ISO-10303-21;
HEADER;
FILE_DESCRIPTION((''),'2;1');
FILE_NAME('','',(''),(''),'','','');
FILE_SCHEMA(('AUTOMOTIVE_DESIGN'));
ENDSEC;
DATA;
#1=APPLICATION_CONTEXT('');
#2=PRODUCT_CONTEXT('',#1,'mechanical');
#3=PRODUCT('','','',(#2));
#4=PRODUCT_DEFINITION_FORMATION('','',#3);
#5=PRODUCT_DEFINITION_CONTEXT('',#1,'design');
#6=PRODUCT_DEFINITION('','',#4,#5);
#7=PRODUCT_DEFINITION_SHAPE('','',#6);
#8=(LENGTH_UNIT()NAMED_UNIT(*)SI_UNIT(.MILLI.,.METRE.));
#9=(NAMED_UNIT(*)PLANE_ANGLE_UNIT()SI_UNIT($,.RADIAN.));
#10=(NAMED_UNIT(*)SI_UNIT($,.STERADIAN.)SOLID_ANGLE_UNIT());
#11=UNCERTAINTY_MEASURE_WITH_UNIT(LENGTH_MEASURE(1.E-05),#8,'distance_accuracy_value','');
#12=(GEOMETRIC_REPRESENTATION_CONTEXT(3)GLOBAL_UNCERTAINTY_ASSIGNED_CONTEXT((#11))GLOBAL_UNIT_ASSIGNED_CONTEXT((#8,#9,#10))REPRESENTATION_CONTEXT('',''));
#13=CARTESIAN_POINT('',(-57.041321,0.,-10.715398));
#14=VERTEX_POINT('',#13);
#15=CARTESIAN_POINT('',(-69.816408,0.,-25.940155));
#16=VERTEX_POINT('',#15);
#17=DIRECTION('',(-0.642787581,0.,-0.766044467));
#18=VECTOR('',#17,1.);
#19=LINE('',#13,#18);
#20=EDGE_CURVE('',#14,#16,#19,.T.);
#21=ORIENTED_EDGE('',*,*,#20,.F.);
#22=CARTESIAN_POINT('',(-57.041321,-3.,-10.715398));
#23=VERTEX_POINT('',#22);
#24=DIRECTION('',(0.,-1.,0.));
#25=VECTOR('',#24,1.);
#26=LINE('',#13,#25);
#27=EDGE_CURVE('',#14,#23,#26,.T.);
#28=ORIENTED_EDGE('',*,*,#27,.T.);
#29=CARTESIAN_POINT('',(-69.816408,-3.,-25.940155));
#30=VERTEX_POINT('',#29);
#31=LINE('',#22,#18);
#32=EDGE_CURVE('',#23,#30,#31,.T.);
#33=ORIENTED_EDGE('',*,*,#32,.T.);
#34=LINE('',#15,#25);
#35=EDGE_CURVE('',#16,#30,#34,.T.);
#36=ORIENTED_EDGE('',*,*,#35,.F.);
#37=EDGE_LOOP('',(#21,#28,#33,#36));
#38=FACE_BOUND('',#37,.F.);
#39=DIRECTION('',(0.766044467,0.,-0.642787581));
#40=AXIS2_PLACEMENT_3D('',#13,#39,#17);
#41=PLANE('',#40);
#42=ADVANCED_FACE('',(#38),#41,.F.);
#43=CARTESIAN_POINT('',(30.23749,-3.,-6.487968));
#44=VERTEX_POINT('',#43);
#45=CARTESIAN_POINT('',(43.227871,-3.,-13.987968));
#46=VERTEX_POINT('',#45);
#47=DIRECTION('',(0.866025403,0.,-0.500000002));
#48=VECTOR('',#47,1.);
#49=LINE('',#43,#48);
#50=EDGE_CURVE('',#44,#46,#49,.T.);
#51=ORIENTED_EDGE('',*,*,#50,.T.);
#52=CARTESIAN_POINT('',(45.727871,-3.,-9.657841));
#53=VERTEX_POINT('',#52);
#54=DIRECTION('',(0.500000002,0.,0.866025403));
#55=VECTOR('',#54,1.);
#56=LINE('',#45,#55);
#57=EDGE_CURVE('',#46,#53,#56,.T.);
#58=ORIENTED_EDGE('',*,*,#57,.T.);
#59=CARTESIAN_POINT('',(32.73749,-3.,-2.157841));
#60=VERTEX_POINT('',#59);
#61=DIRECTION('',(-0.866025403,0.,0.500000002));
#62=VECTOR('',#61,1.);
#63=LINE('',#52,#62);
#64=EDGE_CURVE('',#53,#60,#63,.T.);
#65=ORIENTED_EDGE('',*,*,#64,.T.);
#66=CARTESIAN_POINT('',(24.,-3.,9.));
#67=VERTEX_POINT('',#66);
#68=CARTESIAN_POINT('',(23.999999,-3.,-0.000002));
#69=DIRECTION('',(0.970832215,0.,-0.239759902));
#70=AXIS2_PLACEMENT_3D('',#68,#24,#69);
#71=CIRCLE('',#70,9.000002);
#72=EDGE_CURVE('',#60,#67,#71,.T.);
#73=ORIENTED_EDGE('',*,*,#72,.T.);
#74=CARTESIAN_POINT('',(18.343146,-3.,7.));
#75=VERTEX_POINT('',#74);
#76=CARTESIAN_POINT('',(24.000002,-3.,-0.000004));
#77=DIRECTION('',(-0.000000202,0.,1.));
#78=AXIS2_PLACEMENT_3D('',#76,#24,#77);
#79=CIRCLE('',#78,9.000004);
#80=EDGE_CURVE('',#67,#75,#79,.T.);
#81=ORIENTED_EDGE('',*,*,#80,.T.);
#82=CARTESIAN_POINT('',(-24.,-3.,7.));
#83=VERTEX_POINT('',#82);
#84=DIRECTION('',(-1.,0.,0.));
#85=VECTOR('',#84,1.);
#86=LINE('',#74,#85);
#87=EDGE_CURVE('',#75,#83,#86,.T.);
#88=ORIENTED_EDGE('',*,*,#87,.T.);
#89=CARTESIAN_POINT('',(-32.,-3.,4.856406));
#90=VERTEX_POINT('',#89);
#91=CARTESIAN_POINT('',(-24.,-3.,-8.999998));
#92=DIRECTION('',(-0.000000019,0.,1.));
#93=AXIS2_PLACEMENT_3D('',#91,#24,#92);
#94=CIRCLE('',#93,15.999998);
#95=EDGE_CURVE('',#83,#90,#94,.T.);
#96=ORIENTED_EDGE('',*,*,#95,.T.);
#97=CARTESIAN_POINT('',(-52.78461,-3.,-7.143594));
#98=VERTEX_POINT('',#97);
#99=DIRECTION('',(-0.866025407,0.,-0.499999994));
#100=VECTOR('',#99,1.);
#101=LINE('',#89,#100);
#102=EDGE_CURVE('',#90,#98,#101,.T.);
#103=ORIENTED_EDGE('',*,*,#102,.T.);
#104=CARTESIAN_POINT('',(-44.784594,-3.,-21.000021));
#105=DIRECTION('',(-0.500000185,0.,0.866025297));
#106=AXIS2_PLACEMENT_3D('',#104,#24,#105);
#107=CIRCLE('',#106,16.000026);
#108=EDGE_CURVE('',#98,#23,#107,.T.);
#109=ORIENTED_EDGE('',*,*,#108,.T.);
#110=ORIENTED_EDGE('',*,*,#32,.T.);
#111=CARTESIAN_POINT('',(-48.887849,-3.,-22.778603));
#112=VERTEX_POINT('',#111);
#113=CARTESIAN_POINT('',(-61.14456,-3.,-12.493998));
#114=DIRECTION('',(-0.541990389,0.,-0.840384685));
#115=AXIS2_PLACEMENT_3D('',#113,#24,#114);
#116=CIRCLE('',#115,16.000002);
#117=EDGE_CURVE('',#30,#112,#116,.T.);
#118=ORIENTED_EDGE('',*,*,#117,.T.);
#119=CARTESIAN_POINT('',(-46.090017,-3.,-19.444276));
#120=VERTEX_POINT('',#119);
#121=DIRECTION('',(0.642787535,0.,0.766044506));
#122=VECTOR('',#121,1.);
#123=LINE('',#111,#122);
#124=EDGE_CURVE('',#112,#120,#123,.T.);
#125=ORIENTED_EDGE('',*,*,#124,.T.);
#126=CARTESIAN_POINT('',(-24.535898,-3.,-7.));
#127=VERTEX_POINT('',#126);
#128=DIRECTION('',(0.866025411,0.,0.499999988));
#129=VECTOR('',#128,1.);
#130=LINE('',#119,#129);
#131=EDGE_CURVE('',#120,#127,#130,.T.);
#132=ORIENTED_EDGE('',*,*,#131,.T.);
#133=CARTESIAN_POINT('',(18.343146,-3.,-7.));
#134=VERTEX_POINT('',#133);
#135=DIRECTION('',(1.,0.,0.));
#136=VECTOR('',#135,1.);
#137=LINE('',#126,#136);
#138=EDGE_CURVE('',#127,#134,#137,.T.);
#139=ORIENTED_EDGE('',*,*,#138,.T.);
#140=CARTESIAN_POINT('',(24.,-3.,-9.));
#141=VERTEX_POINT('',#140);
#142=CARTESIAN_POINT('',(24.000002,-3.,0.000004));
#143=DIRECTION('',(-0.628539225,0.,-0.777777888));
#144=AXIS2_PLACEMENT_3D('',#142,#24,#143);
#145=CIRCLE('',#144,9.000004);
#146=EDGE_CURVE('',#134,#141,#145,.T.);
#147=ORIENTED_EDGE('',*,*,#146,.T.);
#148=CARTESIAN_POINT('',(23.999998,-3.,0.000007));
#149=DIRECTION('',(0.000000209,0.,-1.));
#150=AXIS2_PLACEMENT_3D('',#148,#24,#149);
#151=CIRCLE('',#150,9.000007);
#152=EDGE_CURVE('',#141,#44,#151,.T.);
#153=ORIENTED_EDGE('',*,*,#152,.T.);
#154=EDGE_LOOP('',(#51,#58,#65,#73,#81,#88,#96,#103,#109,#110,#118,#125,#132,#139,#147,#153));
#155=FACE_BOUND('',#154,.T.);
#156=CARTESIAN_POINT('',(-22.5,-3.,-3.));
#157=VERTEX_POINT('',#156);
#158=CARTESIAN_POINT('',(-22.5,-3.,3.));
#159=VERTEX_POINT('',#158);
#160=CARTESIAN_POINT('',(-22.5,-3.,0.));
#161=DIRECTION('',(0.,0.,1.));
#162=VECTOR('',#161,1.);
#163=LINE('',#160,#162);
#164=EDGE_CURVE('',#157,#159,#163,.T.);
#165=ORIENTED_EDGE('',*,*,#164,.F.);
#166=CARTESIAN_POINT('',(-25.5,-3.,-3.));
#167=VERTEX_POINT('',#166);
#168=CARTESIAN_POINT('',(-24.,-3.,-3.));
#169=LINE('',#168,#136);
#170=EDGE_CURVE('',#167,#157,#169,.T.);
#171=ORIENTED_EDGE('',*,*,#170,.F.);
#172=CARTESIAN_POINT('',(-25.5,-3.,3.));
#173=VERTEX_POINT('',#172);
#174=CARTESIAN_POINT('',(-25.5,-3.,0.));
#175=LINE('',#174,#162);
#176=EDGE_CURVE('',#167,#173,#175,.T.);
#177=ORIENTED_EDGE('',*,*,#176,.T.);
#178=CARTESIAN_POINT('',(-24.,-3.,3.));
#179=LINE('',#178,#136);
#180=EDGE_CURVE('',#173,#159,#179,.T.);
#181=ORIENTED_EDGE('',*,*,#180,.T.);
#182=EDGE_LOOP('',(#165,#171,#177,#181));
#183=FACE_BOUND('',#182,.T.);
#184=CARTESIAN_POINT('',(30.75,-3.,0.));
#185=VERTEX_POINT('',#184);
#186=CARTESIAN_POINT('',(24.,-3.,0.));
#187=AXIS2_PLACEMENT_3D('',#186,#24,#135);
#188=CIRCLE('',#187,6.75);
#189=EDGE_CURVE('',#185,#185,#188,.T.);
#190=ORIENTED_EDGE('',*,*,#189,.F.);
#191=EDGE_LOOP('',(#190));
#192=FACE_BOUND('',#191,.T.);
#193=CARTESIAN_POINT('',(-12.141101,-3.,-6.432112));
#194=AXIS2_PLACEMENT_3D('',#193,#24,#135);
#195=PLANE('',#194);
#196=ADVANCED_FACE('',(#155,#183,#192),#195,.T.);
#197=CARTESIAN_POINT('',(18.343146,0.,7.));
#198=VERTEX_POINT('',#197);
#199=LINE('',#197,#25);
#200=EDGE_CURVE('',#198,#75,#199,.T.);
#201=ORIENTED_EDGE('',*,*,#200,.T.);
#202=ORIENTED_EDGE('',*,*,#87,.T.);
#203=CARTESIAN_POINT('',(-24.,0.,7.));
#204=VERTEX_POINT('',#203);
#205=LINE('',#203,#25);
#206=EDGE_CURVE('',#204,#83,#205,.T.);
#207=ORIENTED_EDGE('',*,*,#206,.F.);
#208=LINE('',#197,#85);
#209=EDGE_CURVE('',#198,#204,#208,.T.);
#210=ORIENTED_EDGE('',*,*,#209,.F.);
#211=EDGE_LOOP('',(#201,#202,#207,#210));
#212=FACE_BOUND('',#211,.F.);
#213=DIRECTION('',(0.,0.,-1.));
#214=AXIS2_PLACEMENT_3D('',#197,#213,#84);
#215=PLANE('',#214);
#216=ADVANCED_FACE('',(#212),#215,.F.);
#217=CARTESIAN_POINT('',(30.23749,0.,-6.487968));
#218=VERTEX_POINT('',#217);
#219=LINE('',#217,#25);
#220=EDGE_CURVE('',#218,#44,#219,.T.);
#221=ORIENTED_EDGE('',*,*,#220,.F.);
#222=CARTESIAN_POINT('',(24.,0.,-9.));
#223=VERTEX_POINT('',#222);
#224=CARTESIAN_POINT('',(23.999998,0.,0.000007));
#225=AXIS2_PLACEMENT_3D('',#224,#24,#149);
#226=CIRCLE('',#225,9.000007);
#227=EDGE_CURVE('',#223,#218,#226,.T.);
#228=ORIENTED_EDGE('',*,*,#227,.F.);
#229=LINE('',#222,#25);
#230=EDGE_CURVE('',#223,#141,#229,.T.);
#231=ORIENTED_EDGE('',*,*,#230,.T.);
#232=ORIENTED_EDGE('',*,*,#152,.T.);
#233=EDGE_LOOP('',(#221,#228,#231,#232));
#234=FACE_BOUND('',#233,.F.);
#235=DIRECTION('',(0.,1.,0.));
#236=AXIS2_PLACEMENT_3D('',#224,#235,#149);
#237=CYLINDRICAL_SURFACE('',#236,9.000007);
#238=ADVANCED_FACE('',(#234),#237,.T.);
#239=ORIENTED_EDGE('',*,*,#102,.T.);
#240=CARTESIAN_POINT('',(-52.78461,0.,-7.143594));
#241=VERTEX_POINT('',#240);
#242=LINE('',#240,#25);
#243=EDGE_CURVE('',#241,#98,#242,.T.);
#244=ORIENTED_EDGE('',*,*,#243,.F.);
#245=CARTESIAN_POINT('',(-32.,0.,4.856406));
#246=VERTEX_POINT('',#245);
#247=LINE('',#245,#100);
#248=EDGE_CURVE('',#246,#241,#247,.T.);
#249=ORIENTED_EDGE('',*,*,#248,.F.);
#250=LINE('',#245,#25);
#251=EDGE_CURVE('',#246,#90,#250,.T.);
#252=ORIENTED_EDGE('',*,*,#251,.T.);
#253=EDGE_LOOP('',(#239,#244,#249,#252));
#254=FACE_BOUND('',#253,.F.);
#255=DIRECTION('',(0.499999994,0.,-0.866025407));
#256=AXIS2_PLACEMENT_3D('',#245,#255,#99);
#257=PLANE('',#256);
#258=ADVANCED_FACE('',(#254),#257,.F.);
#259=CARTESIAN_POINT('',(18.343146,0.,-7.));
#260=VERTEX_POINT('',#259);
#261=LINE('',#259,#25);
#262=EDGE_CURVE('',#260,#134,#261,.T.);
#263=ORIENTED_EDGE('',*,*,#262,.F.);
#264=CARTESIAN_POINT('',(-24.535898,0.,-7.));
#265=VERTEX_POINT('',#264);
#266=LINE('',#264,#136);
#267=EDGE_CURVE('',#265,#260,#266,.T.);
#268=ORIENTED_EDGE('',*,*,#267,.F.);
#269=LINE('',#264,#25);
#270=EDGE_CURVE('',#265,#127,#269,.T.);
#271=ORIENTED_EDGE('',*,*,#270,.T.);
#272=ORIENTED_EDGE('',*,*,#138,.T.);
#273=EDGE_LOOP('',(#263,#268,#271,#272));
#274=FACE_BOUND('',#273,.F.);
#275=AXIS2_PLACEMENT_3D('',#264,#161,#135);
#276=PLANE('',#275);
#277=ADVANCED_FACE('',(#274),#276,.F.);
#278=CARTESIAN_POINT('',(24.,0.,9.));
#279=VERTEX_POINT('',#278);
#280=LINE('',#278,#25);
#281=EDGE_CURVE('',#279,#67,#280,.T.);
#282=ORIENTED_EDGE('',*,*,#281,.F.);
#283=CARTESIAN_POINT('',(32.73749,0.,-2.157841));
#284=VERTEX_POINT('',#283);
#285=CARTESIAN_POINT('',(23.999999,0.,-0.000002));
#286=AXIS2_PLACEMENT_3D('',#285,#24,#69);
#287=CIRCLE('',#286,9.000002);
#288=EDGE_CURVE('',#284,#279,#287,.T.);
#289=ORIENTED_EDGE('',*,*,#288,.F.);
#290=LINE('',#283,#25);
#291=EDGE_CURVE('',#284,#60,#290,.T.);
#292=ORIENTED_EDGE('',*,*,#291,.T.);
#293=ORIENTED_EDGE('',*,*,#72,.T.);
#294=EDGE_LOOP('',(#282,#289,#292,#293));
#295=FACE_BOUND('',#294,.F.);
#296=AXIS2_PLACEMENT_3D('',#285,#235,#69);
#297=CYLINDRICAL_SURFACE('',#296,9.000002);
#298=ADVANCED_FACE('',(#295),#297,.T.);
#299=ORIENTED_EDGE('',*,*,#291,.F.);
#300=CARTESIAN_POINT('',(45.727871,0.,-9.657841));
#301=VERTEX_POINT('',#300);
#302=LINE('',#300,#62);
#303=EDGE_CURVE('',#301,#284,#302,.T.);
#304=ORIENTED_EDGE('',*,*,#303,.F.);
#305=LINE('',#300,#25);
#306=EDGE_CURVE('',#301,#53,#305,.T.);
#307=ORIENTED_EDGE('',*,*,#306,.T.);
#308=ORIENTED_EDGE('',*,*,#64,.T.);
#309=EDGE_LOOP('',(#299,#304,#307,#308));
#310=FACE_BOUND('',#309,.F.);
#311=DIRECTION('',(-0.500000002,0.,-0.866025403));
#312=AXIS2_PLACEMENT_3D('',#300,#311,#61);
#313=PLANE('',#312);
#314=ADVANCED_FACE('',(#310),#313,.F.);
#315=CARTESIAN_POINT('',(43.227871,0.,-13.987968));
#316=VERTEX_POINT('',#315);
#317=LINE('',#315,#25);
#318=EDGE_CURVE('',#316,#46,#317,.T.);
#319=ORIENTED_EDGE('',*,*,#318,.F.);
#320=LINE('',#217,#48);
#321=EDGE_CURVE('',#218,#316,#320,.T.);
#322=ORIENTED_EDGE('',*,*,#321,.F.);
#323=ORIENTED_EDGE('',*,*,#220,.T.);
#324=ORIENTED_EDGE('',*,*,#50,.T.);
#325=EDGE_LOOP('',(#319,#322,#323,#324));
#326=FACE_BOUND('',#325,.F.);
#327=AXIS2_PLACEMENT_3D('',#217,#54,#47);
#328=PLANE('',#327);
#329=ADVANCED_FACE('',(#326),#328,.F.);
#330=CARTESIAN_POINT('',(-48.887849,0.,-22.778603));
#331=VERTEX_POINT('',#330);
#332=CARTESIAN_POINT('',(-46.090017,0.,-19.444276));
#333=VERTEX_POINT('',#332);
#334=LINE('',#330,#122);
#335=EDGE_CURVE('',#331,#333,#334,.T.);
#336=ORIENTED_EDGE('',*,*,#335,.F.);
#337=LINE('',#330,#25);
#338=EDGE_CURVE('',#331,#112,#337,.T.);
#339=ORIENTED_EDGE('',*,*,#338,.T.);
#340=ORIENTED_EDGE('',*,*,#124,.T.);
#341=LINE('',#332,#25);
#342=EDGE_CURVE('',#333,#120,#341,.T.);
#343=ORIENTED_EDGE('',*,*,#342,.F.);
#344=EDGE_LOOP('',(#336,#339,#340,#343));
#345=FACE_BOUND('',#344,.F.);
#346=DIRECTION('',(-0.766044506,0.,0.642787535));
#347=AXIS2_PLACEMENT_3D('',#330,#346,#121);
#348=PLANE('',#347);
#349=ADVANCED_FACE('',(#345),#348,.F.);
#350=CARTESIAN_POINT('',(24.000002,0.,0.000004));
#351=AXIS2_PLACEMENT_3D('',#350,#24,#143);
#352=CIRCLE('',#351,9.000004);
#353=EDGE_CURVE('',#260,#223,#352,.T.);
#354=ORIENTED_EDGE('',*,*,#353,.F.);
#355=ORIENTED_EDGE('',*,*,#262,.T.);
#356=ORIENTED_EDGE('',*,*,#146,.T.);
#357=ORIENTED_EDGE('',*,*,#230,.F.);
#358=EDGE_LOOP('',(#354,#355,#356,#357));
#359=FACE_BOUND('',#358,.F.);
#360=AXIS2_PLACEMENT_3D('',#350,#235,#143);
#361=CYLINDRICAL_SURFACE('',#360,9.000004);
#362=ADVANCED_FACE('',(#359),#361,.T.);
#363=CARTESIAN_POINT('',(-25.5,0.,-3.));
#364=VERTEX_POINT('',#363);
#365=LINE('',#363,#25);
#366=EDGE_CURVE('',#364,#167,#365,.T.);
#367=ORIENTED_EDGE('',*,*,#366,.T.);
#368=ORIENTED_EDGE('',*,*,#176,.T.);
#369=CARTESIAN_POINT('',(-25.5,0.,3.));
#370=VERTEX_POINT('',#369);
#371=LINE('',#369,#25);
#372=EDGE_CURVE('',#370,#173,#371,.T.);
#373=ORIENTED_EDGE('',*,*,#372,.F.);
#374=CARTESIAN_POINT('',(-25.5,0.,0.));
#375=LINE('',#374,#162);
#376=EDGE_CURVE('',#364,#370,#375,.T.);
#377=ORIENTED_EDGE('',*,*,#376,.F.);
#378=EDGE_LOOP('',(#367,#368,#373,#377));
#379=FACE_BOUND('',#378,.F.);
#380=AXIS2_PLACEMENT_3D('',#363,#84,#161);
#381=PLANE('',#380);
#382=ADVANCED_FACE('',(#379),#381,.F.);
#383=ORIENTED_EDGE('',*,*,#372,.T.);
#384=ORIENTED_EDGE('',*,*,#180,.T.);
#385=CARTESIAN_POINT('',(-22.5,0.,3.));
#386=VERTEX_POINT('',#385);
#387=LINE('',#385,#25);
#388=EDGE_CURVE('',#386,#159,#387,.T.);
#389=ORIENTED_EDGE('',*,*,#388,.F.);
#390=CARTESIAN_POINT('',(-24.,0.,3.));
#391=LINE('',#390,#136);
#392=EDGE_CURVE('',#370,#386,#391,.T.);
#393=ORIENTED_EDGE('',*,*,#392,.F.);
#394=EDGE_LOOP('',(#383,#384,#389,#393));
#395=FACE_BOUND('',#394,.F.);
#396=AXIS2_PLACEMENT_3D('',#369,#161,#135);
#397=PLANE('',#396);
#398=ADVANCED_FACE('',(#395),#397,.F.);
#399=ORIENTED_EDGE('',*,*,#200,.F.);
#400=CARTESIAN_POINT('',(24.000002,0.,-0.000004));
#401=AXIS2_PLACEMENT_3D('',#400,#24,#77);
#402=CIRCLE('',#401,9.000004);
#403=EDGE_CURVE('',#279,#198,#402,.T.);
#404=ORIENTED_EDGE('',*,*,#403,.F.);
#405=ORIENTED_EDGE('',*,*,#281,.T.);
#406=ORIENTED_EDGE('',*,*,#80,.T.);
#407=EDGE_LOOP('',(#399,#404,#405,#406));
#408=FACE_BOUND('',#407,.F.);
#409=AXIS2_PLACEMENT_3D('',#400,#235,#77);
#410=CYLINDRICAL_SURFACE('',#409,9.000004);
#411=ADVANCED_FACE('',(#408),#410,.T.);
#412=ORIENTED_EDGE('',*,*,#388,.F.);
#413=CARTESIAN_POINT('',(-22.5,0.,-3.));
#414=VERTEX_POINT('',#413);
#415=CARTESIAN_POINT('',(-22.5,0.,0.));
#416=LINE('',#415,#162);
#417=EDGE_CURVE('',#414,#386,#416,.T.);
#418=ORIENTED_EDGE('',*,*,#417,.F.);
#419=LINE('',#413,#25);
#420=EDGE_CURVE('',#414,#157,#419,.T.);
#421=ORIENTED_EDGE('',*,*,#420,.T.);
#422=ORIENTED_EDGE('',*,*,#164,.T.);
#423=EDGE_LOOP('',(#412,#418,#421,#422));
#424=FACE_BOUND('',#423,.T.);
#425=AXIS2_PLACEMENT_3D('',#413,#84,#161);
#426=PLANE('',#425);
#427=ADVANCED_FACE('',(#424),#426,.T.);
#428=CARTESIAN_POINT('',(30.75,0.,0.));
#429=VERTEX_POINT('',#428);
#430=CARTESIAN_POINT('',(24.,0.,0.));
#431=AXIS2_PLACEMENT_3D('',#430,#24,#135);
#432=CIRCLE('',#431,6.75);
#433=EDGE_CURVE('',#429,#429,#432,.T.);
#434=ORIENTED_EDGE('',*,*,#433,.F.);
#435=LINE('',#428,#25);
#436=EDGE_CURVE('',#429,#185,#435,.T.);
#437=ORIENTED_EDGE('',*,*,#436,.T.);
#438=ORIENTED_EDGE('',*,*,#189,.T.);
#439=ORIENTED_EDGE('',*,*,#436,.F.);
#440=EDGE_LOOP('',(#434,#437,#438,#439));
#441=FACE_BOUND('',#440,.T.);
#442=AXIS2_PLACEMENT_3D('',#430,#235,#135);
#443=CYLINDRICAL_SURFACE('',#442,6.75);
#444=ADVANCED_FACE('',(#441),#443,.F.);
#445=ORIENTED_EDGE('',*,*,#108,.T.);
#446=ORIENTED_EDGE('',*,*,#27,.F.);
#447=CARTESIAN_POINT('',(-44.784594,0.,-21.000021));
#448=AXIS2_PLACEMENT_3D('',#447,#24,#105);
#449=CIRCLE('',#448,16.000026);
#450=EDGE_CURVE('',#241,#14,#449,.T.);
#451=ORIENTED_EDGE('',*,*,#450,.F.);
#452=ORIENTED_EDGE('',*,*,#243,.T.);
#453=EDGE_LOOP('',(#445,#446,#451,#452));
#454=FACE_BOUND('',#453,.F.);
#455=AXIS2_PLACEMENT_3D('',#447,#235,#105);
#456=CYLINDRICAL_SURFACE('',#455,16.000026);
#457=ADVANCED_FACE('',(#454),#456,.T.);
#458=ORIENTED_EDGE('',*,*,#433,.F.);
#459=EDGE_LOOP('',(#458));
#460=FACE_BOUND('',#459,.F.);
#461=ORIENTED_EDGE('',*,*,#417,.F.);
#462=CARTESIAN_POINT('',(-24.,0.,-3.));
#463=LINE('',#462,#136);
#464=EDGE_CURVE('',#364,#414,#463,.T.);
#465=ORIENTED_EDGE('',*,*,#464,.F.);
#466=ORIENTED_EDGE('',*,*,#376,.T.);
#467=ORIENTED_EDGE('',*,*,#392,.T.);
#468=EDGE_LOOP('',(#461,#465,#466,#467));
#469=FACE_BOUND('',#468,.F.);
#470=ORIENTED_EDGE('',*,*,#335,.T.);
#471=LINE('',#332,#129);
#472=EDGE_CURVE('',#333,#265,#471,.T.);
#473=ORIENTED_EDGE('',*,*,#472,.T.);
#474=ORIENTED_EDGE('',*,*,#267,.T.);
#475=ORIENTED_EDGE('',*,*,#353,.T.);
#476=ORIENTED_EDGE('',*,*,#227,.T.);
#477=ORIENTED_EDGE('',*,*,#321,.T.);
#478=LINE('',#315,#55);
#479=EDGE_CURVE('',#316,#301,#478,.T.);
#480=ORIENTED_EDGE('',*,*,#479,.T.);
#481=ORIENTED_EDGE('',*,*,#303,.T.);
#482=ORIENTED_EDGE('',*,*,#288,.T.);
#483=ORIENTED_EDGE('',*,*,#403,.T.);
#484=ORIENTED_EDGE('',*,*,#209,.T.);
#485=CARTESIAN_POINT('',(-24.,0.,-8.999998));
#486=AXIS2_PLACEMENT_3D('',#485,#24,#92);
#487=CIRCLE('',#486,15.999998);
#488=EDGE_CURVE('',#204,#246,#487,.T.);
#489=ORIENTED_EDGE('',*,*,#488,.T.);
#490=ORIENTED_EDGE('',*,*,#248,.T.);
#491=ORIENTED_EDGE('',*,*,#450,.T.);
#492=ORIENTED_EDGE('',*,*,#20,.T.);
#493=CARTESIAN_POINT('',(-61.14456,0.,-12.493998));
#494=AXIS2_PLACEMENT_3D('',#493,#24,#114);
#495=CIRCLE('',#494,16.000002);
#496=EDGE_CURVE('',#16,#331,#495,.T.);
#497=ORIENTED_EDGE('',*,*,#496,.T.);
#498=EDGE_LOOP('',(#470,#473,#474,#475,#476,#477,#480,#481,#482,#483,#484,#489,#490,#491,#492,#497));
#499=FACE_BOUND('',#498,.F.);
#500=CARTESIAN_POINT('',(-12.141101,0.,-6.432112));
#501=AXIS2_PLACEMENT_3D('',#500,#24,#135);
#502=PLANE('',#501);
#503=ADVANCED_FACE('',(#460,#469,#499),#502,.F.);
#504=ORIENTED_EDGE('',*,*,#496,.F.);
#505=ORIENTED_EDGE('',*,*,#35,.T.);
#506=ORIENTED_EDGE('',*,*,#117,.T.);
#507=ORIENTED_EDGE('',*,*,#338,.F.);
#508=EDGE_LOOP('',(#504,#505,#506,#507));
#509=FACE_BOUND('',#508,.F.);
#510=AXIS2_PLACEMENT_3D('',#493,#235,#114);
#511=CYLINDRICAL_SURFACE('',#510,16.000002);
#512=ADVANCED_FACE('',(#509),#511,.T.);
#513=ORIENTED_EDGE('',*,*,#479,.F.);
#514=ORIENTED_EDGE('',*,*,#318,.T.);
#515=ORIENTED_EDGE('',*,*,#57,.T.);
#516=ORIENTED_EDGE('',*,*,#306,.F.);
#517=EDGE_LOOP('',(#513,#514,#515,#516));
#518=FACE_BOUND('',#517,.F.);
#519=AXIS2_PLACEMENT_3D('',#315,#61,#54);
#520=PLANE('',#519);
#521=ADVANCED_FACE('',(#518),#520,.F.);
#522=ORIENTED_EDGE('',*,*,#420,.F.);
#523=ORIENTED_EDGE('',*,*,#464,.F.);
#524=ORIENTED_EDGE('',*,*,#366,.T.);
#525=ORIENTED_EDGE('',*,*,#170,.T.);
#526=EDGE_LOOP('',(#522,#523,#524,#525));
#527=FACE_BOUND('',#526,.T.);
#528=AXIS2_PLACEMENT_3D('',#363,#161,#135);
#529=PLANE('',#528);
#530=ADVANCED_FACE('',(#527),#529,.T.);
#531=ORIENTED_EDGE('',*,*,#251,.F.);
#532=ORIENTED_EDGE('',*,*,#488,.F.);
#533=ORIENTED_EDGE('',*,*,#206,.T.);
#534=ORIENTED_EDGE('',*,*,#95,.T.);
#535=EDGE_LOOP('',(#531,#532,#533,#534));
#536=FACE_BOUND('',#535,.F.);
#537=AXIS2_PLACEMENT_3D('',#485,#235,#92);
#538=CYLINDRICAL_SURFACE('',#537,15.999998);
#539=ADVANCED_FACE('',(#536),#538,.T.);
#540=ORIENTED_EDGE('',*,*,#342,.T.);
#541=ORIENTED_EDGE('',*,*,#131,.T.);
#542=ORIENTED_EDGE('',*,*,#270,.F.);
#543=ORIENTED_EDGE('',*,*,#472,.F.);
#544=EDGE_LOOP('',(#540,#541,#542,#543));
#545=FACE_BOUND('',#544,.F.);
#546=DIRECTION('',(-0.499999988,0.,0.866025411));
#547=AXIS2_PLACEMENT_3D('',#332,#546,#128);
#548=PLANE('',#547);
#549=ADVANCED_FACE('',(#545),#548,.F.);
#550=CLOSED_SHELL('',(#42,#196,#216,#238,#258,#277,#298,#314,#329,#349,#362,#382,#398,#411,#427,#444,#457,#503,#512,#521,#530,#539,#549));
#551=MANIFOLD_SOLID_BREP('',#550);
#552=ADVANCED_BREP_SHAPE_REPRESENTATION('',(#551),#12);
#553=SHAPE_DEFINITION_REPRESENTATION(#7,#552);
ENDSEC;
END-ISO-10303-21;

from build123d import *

# Parameters (mm, degrees)
F0_W     = 3
F0_H     = 6
F0_R     = 6.75
F1_DEPTH = 3


with BuildPart() as f1:
    # F0 (on Front) → F1 (new body)
    with BuildSketch(Plane.XZ):
        with BuildLine():
            Line((-46.090017, -19.444276), (-24.535898, -7))
            Line((-24.535898, -7), (18.343146, -7))
            ThreePointArc((18.343146, -7), (21, -8.485281), (24, -9))
            ThreePointArc((24, -9), (27.362164, -8.348404), (30.23749, -6.487968))
            Line((30.23749, -6.487968), (43.227871, -13.987968))
            Line((43.227871, -13.987968), (45.727871, -9.657841))
            Line((45.727871, -9.657841), (32.73749, -2.157841))
            ThreePointArc((32.73749, -2.157841), (31.085921, 5.548848), (24, 9))
            ThreePointArc((24, 9), (21, 8.485281), (18.343146, 7))
            Line((18.343146, 7), (-24, 7))
            ThreePointArc((-24, 7), (-28.141105, 6.454813), (-32, 4.856406))
            Line((-32, 4.856406), (-52.78461, -7.143594))
            ThreePointArc((-52.78461, -7.143594), (-55.069211, -8.743289), (-57.041321, -10.715398))
            Line((-57.041321, -10.715398), (-69.816408, -25.940155))
            ThreePointArc((-69.816408, -25.940155), (-58.754651, -28.314504), (-48.887849, -22.778603))
            Line((-48.887849, -22.778603), (-46.090017, -19.444276))
        make_face()
        with Locations((-24, 0)):
            Rectangle(F0_W, F0_H, mode=Mode.SUBTRACT)
        with Locations((24, 0)):
            Circle(F0_R, mode=Mode.SUBTRACT)
    extrude(amount=F1_DEPTH)


solid = f1.part
